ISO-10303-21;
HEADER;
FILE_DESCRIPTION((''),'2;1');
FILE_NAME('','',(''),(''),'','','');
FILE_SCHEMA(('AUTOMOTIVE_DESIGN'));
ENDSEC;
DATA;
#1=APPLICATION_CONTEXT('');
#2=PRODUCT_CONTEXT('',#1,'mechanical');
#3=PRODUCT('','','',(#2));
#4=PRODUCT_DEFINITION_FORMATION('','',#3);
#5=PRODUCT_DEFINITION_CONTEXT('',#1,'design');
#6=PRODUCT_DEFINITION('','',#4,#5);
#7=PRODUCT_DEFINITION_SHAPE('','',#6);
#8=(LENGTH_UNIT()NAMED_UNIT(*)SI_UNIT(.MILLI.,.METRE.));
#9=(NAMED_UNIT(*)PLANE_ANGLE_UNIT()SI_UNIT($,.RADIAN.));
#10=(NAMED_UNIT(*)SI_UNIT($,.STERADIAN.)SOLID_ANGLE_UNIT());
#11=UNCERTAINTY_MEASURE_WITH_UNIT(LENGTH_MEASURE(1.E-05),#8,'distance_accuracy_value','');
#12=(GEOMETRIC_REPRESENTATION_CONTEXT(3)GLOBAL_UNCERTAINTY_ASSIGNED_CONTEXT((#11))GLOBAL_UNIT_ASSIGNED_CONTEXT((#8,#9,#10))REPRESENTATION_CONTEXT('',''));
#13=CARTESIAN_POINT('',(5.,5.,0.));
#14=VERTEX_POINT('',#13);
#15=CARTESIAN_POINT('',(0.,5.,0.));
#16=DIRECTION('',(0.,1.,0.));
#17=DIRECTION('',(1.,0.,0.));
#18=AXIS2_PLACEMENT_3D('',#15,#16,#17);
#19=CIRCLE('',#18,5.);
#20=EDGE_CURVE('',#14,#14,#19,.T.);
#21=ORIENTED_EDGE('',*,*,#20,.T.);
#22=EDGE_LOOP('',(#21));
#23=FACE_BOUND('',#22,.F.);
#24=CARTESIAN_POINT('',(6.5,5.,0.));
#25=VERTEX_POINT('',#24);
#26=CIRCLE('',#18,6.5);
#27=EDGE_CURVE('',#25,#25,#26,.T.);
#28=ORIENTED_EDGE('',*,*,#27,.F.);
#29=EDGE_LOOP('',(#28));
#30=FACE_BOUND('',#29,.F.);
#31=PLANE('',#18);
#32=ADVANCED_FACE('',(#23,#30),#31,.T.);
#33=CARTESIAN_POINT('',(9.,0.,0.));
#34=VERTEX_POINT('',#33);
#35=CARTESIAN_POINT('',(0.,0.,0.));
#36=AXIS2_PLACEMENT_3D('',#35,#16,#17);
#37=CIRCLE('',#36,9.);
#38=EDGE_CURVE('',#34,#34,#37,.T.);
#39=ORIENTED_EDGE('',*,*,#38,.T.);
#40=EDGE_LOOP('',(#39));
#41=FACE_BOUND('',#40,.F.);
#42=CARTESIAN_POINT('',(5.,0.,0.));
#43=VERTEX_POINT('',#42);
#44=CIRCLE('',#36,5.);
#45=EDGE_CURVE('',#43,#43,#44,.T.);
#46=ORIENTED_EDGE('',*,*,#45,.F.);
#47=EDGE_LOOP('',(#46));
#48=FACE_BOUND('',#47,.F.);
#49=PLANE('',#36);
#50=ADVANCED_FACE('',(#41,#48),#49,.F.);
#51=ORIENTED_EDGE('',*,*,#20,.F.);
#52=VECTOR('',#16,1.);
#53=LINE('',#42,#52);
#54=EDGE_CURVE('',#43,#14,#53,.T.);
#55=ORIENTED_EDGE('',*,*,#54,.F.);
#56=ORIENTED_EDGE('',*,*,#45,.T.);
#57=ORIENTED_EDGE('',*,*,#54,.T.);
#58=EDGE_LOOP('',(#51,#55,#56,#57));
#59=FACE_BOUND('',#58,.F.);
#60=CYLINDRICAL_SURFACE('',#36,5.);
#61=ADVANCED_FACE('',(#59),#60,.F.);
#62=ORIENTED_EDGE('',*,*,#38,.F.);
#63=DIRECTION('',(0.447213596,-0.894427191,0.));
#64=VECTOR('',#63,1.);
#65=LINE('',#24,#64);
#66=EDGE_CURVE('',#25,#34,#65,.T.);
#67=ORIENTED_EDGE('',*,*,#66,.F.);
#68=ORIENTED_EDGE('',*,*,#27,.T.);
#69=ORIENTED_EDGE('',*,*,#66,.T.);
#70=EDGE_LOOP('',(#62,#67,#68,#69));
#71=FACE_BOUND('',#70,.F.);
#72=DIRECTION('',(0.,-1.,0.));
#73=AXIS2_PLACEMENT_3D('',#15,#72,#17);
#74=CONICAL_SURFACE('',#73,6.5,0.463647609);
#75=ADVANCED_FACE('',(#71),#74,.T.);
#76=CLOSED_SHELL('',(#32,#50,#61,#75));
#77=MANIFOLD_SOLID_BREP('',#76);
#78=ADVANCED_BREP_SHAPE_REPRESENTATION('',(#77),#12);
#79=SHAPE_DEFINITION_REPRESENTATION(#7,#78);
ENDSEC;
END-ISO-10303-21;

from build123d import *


with BuildPart() as part:
    # Szkic1 → Obrót1 (revolve)
    with BuildSketch(Plane.XY):
        Polygon((5, 0), (5, 5), (6.5, 5), (9, 0), align=None)
    revolve(axis=Axis((0, 0, 0), (0, 1, 0)))


solid = part.part
